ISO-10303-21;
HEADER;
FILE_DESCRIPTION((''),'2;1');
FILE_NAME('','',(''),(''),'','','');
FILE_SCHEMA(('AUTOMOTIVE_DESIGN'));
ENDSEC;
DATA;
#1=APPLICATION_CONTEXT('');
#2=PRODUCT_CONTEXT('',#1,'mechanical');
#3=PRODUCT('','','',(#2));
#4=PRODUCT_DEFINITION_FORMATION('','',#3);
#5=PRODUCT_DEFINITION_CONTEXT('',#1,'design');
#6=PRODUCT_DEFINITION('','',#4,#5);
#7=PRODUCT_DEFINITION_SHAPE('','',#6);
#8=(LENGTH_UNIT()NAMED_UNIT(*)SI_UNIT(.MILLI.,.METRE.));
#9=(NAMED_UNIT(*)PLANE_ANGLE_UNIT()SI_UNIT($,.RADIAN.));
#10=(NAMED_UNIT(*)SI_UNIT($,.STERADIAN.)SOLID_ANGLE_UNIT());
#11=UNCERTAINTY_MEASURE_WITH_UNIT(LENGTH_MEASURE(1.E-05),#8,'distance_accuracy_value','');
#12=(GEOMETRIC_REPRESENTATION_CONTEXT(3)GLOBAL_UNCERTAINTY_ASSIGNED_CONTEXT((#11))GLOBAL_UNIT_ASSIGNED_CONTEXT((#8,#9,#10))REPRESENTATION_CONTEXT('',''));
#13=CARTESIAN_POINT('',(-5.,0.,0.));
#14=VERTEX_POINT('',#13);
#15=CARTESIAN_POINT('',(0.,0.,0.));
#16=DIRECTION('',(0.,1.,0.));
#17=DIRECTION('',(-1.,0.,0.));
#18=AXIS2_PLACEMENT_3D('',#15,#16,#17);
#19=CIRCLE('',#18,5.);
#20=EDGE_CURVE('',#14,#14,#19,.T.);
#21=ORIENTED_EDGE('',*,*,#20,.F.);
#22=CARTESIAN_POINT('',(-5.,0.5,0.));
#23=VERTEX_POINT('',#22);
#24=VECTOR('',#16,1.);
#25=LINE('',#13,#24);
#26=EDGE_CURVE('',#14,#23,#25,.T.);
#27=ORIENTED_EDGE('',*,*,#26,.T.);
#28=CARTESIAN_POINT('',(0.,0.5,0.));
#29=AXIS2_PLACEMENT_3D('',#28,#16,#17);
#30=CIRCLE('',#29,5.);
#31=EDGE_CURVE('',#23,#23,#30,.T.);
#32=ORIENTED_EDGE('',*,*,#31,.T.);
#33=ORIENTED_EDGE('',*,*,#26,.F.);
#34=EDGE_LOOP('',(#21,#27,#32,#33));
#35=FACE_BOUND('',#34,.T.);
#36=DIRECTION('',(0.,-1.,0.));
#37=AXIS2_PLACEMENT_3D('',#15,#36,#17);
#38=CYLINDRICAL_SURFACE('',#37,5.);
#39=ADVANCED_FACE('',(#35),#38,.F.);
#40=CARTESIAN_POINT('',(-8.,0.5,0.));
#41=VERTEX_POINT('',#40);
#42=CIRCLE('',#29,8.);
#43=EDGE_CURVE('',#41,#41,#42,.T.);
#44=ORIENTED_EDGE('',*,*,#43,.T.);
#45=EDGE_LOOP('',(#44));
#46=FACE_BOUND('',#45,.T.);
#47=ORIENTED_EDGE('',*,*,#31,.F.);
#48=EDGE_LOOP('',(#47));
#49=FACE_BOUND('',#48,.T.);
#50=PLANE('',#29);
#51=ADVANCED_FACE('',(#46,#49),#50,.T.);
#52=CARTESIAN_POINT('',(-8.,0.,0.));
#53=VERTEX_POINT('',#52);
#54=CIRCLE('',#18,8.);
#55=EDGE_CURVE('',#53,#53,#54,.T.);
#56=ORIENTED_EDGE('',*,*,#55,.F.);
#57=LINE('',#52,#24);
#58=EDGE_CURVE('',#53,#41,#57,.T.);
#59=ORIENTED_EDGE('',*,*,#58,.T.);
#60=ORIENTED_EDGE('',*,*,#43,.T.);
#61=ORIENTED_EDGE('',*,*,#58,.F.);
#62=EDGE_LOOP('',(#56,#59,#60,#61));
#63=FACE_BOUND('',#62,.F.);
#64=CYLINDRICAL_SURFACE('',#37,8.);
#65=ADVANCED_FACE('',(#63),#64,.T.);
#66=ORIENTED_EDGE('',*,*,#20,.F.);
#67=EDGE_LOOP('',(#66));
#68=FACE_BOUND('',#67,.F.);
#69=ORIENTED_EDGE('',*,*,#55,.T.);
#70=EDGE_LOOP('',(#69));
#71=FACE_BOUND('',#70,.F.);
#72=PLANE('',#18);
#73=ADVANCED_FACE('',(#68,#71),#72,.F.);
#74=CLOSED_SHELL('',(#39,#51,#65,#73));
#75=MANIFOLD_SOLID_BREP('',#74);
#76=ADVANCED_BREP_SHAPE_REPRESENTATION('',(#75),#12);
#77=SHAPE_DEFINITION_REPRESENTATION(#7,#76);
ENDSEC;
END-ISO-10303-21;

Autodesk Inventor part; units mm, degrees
ref_plane "YZ Plane" through (0, 0, 0) normal (1, 0, 0) x (0, 1, 0)
ref_plane "XZ Plane" through (0, 0, 0) normal (0, 1, 0) x (-1, 0, 0)
ref_plane "XY Plane" through (0, 0, 0) normal (0, 0, 1) x (1, 0, 0)
sketch "Sketch2" plane through (0, 0, 0) normal (0, 1, 0) x (-1, 0, 0)
  circle A0 centre (0, 0) radius 5
  circle A1 centre (0, 0) radius 8
  dimension "d0" = 10
  dimension "d1" = 16
extrude "Extrusion1" add sketch "Sketch2" along normal blind 0.5
properties part number "Shim" material "Aluminum 6061"
